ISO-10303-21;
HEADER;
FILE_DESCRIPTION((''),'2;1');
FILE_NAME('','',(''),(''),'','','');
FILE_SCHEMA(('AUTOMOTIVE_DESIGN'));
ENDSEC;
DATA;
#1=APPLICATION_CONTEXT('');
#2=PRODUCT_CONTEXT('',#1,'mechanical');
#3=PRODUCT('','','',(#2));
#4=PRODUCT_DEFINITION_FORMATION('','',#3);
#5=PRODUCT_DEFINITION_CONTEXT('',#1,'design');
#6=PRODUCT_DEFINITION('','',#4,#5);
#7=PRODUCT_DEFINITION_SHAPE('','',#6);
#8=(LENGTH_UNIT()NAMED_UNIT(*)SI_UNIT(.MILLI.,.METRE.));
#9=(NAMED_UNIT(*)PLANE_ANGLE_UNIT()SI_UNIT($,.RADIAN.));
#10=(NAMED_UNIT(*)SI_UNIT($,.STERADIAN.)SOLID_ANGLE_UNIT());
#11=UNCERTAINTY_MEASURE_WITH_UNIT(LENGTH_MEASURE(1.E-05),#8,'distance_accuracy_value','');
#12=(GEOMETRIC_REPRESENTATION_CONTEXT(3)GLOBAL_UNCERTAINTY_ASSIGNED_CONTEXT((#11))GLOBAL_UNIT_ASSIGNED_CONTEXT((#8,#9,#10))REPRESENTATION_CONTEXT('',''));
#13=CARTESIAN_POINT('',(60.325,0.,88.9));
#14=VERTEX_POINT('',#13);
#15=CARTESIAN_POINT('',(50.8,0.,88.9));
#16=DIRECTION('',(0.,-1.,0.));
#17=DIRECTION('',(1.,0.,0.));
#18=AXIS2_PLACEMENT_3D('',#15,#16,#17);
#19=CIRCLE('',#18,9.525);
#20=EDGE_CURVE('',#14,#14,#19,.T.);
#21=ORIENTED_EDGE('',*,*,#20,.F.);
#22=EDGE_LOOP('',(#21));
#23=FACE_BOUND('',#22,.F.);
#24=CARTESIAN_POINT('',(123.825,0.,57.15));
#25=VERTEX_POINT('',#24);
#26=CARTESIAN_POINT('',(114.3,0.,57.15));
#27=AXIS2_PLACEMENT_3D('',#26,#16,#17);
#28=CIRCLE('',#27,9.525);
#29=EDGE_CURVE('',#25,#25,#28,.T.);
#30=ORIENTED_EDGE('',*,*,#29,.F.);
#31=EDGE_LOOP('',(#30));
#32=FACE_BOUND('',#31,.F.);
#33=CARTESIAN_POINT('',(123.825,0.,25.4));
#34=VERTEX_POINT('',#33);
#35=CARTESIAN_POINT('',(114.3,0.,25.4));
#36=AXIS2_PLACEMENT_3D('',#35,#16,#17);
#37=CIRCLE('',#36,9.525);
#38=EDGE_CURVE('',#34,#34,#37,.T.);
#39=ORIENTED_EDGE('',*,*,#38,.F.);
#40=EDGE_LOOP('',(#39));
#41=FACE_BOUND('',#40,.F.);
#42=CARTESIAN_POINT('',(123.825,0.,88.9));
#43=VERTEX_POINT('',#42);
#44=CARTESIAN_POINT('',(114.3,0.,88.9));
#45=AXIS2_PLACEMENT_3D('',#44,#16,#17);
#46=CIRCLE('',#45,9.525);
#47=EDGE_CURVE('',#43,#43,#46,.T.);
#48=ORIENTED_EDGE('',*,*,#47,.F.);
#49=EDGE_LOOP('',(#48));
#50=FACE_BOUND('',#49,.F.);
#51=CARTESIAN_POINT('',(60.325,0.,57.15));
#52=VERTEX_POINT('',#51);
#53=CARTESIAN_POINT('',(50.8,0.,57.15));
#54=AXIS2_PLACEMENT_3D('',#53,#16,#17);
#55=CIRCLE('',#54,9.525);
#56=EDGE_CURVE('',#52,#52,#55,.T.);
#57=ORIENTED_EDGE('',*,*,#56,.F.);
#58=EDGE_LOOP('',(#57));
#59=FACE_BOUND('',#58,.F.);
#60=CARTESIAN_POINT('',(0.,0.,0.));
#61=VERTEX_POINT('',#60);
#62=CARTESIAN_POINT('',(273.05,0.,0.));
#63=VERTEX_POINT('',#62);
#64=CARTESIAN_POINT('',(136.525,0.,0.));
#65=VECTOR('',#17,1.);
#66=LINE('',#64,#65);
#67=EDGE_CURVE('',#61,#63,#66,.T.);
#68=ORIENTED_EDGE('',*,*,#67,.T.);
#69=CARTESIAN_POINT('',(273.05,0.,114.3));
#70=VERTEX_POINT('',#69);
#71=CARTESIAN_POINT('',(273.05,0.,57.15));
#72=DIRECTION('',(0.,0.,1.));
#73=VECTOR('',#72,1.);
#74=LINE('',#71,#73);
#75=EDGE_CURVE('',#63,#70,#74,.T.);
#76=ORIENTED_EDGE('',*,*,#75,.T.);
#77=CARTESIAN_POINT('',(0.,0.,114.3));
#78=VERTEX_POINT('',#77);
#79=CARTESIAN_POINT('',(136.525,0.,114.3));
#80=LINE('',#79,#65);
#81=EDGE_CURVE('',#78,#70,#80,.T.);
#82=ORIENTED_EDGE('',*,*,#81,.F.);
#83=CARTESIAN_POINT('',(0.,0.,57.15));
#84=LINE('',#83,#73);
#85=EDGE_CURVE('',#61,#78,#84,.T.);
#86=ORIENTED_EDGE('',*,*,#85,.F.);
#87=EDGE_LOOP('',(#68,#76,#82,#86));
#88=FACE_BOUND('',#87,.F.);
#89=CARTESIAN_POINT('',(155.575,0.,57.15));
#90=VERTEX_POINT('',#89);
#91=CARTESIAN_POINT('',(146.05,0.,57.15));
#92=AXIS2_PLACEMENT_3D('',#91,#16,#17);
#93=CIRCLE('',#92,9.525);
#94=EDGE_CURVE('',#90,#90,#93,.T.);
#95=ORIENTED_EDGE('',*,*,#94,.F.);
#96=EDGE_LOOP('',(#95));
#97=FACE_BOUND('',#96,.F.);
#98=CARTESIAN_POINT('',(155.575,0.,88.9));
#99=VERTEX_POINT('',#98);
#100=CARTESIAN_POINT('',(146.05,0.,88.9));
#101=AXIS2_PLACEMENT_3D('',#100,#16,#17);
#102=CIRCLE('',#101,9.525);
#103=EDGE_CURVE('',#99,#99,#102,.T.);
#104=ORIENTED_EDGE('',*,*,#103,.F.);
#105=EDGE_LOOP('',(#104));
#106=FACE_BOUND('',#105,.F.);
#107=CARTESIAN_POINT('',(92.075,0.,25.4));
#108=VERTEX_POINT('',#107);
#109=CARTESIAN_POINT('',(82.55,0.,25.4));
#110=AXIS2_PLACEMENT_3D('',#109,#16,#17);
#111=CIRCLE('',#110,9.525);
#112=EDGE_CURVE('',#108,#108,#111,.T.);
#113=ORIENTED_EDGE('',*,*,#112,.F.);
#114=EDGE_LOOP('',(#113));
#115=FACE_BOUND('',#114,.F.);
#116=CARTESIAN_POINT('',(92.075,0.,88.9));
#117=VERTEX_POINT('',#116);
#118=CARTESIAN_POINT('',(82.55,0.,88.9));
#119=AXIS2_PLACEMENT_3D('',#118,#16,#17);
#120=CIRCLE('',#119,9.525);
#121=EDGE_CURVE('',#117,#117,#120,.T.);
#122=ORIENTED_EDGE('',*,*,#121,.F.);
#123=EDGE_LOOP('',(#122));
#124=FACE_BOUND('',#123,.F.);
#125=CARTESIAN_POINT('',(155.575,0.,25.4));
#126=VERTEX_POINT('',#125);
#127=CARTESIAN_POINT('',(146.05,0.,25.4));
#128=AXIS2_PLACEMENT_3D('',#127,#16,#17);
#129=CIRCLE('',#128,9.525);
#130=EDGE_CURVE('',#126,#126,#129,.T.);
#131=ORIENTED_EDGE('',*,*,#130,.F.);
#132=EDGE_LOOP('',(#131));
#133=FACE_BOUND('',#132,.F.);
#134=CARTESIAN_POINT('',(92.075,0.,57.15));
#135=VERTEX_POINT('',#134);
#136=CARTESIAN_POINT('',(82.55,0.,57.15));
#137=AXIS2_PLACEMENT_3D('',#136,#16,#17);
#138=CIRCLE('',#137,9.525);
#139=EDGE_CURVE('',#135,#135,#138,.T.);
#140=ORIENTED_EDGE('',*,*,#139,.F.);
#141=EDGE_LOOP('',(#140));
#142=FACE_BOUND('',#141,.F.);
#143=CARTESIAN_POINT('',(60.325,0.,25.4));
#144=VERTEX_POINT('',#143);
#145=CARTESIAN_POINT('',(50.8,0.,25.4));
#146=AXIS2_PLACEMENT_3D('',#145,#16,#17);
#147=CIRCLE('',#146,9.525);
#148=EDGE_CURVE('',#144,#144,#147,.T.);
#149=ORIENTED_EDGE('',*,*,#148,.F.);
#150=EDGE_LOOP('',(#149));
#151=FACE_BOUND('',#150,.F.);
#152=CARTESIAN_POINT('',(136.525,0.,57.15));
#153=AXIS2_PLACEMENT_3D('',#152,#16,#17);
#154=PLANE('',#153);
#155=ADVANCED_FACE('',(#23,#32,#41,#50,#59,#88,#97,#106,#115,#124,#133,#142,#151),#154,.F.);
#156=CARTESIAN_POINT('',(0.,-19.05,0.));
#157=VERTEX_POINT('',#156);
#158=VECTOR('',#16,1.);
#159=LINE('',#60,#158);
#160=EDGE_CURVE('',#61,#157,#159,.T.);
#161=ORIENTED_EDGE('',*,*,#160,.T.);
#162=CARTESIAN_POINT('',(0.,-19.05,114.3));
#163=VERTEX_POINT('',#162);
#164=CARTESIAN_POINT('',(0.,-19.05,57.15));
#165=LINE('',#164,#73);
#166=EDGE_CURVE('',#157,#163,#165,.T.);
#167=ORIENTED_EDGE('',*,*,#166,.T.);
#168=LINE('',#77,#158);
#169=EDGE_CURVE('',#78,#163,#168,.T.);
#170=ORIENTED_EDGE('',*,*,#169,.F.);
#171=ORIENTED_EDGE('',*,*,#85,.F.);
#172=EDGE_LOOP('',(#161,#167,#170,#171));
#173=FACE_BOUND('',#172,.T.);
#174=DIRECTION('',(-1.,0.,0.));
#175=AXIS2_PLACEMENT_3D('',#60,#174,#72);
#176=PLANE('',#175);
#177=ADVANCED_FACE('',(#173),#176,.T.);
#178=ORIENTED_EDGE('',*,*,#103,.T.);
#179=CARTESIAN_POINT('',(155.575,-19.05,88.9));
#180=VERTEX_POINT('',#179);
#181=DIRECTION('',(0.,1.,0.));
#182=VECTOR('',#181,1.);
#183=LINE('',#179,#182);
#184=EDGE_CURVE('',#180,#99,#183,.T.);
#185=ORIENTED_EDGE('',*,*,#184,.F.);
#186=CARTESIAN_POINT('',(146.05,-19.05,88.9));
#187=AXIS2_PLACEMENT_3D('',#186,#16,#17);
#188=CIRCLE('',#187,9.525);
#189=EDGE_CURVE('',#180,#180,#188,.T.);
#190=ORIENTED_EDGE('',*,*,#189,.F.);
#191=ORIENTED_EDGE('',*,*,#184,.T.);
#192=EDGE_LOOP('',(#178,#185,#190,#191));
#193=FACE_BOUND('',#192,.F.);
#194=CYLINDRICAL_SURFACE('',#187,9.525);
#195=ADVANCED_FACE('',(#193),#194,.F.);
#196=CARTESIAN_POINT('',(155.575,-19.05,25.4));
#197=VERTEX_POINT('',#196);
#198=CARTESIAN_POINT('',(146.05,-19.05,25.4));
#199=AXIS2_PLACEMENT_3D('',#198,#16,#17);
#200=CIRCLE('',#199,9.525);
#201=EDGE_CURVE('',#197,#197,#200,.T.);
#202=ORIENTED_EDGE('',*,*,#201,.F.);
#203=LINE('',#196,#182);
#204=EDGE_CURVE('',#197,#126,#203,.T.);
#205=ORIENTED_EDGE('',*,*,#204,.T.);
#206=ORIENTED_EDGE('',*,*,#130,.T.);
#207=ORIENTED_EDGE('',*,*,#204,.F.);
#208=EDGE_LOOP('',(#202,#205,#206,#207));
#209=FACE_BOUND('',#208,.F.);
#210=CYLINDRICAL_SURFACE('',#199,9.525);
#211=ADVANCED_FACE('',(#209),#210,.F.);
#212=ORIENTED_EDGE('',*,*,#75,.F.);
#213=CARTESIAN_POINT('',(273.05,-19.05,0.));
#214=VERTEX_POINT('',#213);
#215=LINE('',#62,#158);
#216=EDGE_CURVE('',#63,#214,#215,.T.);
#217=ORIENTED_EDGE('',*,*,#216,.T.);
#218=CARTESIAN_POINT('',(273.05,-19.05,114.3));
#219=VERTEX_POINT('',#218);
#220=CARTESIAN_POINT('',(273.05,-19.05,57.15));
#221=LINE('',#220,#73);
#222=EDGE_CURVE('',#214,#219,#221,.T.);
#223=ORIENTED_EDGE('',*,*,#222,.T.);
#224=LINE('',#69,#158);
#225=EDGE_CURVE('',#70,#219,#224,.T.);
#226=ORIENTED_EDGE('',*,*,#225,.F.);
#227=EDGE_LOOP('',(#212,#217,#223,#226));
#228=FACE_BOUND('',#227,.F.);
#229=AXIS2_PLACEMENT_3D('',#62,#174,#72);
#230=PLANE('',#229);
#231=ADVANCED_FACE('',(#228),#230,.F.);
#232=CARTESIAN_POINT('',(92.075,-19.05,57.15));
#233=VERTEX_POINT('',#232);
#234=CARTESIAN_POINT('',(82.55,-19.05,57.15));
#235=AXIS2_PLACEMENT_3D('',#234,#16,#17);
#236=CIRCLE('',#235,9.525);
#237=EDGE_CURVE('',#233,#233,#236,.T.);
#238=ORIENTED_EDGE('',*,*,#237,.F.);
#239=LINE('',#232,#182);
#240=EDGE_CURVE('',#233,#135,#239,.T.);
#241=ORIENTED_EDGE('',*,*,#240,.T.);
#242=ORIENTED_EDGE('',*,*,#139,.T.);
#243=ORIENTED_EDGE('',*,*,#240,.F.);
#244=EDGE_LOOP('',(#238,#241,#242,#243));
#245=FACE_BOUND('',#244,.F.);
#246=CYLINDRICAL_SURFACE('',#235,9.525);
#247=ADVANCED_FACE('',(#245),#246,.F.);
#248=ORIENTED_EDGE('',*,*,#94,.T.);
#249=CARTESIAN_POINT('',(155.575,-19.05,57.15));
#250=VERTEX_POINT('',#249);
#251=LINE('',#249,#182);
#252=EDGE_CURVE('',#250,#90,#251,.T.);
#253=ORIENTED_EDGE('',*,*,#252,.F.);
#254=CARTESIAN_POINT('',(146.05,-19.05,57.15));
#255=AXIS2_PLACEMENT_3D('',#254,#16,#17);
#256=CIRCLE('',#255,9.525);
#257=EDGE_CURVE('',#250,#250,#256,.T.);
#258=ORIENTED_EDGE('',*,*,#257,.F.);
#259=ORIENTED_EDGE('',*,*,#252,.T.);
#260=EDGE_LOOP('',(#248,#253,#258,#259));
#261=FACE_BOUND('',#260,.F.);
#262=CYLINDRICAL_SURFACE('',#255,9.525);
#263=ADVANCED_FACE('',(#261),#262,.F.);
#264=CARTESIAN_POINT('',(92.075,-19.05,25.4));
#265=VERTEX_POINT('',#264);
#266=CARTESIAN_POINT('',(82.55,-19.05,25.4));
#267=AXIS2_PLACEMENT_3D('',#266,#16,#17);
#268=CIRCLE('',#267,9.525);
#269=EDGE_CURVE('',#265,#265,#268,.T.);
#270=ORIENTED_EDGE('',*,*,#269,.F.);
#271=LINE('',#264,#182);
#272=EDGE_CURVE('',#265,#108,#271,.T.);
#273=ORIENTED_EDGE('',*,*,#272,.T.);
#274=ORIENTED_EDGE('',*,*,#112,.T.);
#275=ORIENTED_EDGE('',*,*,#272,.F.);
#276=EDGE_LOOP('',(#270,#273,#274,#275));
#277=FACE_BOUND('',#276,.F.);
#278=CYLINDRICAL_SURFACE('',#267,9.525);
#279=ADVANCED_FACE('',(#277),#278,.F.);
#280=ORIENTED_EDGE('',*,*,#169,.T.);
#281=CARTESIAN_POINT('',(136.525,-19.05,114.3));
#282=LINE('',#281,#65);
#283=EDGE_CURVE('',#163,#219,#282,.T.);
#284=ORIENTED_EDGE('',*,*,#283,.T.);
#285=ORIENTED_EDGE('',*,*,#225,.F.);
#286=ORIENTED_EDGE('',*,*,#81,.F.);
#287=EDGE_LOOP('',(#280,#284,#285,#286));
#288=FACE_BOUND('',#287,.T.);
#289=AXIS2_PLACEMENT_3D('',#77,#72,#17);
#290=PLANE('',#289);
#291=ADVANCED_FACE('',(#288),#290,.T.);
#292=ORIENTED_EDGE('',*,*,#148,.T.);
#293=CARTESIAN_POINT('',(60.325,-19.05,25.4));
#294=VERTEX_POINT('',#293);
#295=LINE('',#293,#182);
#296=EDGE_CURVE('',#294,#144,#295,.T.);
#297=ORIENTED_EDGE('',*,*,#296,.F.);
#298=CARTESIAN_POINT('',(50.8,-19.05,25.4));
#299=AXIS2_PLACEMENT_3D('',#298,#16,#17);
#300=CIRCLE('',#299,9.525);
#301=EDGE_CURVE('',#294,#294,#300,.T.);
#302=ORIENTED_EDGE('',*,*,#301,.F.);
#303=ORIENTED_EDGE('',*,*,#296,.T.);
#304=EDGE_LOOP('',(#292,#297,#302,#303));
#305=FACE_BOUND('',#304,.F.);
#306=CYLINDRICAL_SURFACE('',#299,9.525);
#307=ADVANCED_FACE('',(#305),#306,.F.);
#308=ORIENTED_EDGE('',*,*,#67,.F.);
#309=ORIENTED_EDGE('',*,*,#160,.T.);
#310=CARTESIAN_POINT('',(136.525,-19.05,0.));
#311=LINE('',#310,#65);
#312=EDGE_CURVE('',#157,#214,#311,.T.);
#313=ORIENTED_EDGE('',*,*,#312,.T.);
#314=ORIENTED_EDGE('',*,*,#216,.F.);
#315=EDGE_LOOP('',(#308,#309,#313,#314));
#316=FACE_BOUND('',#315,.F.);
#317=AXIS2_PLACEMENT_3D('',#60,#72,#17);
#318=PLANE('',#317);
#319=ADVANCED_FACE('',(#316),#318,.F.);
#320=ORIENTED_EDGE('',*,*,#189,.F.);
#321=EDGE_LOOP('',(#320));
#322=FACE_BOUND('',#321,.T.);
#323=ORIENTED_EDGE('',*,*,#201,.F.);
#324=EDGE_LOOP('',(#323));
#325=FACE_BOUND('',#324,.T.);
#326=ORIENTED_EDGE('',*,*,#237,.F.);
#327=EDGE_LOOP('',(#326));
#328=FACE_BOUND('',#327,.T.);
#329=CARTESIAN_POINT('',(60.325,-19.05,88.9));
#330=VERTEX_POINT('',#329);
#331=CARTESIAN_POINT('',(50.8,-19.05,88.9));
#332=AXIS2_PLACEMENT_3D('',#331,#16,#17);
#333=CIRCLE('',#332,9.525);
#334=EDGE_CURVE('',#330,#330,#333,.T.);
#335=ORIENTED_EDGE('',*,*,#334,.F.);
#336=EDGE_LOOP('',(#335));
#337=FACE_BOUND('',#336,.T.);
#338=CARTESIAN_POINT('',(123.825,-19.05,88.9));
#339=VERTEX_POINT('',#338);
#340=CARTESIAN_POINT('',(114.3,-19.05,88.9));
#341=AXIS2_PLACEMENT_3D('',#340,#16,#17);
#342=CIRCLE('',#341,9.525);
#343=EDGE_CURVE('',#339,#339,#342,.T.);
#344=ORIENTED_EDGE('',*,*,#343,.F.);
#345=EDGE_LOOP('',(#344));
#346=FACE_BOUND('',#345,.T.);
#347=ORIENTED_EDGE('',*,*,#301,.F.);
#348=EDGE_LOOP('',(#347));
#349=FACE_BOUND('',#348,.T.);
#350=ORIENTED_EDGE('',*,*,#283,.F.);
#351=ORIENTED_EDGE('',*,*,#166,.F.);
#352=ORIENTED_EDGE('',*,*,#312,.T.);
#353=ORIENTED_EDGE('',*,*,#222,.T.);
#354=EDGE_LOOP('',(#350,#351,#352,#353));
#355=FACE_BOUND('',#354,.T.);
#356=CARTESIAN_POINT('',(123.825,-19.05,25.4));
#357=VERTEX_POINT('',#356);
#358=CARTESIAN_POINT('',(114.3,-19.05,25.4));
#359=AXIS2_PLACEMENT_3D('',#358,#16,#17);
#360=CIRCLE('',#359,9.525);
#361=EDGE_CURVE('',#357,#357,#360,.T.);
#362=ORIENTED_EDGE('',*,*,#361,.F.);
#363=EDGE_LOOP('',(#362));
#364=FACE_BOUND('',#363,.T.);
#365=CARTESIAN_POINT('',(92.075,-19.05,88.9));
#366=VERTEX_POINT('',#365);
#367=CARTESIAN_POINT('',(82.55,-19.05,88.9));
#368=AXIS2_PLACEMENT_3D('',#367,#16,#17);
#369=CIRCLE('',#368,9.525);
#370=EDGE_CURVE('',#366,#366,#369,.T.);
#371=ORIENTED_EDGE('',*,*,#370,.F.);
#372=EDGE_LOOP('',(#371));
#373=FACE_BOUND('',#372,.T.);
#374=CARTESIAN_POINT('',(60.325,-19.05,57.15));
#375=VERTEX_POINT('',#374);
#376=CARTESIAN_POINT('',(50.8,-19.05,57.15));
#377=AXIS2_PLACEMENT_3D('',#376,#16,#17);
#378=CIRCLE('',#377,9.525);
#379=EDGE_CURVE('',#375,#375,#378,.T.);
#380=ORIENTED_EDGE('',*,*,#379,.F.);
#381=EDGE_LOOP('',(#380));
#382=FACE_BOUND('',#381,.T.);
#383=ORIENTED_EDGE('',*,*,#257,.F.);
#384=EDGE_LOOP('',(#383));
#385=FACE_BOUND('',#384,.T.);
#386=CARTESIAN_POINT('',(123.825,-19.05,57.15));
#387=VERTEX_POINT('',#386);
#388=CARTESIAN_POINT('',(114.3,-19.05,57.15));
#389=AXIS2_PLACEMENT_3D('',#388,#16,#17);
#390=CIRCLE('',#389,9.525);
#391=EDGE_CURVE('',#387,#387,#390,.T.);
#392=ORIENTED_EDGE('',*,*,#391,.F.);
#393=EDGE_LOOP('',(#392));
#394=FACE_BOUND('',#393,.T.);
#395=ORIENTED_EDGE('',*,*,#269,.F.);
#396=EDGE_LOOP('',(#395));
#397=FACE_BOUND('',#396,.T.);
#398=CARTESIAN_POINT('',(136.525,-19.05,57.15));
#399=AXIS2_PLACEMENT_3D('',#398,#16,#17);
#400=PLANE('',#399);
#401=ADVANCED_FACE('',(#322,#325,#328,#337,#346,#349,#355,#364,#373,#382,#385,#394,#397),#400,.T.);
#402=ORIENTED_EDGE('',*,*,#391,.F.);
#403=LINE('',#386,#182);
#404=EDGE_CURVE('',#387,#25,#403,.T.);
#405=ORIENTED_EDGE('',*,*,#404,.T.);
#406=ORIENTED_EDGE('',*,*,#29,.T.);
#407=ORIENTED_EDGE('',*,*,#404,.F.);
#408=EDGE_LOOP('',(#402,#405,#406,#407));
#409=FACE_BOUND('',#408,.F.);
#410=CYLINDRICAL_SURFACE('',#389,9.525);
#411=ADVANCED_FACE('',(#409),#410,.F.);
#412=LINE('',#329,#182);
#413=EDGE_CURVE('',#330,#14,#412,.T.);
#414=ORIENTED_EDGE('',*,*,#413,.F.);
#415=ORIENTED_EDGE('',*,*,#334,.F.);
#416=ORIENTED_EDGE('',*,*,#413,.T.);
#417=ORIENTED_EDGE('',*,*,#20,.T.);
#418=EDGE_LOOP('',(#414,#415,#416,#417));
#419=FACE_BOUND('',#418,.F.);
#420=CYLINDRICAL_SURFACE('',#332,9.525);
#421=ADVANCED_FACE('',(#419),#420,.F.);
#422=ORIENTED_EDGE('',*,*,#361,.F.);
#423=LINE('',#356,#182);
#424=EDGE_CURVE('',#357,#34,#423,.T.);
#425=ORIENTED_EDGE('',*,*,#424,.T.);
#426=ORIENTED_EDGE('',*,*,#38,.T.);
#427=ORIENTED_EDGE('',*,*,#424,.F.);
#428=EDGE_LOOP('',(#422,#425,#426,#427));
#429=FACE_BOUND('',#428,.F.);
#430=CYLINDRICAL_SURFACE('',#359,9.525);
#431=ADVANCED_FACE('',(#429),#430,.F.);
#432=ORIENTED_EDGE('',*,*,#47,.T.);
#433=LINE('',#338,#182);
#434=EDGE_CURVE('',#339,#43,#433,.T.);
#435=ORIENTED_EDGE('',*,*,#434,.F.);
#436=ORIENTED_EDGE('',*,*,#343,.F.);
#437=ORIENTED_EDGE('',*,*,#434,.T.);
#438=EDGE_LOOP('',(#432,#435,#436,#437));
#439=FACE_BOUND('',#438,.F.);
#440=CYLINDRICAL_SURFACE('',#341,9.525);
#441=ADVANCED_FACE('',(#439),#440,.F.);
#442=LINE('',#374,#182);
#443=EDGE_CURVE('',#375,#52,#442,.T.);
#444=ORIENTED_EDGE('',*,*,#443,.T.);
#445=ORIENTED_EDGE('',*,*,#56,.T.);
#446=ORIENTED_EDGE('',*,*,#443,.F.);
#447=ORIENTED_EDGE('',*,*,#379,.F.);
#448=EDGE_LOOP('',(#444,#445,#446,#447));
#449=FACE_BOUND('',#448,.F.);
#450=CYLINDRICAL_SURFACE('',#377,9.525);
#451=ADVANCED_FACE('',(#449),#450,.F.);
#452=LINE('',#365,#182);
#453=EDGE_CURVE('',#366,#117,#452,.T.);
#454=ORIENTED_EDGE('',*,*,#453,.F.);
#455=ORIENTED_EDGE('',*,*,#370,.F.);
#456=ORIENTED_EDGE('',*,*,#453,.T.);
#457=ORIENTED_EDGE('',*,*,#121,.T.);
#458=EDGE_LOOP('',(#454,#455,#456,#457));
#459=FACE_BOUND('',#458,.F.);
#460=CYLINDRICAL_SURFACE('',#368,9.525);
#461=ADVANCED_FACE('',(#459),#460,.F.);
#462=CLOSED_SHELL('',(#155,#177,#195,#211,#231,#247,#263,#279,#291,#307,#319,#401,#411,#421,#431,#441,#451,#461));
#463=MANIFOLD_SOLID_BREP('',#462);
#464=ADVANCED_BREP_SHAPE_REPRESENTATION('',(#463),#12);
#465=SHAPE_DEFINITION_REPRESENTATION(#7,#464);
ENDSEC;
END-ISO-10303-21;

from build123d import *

# Parameters (mm, degrees)
F0_W     = 273.05
F0_H     = 114.3
F1_DEPTH = 19.05
F2_R     = 9.525
F3_DEPTH = 25.4


with BuildPart() as f1:
    # F0 (on Front) → F1 (new body)
    with BuildSketch(Plane.XZ):
        with Locations((136.525, 57.15)):
            Rectangle(F0_W, F0_H)
    extrude(amount=F1_DEPTH)

    # F2 (on face) → F3 (cut)
    with BuildSketch(Plane.XZ.offset(19.05)):
        with Locations((50.8, 88.9)):
            Circle(F2_R)
        with Locations((50.8, 57.15)):
            Circle(F2_R)
        with Locations((82.55, 88.9)):
            Circle(F2_R)
        with Locations((82.55, 57.15)):
            Circle(F2_R)
        with Locations((114.3, 88.9)):
            Circle(F2_R)
        with Locations((114.3, 57.15)):
            Circle(F2_R)
        with Locations((50.8, 25.4)):
            Circle(F2_R)
        with Locations((82.55, 25.4)):
            Circle(F2_R)
        with Locations((114.3, 25.4)):
            Circle(F2_R)
        with Locations((146.05, 88.9)):
            Circle(F2_R)
        with Locations((146.05, 57.15)):
            Circle(F2_R)
        with Locations((146.05, 25.4)):
            Circle(F2_R)
    extrude(amount=-F3_DEPTH, mode=Mode.SUBTRACT)


solid = f1.part
